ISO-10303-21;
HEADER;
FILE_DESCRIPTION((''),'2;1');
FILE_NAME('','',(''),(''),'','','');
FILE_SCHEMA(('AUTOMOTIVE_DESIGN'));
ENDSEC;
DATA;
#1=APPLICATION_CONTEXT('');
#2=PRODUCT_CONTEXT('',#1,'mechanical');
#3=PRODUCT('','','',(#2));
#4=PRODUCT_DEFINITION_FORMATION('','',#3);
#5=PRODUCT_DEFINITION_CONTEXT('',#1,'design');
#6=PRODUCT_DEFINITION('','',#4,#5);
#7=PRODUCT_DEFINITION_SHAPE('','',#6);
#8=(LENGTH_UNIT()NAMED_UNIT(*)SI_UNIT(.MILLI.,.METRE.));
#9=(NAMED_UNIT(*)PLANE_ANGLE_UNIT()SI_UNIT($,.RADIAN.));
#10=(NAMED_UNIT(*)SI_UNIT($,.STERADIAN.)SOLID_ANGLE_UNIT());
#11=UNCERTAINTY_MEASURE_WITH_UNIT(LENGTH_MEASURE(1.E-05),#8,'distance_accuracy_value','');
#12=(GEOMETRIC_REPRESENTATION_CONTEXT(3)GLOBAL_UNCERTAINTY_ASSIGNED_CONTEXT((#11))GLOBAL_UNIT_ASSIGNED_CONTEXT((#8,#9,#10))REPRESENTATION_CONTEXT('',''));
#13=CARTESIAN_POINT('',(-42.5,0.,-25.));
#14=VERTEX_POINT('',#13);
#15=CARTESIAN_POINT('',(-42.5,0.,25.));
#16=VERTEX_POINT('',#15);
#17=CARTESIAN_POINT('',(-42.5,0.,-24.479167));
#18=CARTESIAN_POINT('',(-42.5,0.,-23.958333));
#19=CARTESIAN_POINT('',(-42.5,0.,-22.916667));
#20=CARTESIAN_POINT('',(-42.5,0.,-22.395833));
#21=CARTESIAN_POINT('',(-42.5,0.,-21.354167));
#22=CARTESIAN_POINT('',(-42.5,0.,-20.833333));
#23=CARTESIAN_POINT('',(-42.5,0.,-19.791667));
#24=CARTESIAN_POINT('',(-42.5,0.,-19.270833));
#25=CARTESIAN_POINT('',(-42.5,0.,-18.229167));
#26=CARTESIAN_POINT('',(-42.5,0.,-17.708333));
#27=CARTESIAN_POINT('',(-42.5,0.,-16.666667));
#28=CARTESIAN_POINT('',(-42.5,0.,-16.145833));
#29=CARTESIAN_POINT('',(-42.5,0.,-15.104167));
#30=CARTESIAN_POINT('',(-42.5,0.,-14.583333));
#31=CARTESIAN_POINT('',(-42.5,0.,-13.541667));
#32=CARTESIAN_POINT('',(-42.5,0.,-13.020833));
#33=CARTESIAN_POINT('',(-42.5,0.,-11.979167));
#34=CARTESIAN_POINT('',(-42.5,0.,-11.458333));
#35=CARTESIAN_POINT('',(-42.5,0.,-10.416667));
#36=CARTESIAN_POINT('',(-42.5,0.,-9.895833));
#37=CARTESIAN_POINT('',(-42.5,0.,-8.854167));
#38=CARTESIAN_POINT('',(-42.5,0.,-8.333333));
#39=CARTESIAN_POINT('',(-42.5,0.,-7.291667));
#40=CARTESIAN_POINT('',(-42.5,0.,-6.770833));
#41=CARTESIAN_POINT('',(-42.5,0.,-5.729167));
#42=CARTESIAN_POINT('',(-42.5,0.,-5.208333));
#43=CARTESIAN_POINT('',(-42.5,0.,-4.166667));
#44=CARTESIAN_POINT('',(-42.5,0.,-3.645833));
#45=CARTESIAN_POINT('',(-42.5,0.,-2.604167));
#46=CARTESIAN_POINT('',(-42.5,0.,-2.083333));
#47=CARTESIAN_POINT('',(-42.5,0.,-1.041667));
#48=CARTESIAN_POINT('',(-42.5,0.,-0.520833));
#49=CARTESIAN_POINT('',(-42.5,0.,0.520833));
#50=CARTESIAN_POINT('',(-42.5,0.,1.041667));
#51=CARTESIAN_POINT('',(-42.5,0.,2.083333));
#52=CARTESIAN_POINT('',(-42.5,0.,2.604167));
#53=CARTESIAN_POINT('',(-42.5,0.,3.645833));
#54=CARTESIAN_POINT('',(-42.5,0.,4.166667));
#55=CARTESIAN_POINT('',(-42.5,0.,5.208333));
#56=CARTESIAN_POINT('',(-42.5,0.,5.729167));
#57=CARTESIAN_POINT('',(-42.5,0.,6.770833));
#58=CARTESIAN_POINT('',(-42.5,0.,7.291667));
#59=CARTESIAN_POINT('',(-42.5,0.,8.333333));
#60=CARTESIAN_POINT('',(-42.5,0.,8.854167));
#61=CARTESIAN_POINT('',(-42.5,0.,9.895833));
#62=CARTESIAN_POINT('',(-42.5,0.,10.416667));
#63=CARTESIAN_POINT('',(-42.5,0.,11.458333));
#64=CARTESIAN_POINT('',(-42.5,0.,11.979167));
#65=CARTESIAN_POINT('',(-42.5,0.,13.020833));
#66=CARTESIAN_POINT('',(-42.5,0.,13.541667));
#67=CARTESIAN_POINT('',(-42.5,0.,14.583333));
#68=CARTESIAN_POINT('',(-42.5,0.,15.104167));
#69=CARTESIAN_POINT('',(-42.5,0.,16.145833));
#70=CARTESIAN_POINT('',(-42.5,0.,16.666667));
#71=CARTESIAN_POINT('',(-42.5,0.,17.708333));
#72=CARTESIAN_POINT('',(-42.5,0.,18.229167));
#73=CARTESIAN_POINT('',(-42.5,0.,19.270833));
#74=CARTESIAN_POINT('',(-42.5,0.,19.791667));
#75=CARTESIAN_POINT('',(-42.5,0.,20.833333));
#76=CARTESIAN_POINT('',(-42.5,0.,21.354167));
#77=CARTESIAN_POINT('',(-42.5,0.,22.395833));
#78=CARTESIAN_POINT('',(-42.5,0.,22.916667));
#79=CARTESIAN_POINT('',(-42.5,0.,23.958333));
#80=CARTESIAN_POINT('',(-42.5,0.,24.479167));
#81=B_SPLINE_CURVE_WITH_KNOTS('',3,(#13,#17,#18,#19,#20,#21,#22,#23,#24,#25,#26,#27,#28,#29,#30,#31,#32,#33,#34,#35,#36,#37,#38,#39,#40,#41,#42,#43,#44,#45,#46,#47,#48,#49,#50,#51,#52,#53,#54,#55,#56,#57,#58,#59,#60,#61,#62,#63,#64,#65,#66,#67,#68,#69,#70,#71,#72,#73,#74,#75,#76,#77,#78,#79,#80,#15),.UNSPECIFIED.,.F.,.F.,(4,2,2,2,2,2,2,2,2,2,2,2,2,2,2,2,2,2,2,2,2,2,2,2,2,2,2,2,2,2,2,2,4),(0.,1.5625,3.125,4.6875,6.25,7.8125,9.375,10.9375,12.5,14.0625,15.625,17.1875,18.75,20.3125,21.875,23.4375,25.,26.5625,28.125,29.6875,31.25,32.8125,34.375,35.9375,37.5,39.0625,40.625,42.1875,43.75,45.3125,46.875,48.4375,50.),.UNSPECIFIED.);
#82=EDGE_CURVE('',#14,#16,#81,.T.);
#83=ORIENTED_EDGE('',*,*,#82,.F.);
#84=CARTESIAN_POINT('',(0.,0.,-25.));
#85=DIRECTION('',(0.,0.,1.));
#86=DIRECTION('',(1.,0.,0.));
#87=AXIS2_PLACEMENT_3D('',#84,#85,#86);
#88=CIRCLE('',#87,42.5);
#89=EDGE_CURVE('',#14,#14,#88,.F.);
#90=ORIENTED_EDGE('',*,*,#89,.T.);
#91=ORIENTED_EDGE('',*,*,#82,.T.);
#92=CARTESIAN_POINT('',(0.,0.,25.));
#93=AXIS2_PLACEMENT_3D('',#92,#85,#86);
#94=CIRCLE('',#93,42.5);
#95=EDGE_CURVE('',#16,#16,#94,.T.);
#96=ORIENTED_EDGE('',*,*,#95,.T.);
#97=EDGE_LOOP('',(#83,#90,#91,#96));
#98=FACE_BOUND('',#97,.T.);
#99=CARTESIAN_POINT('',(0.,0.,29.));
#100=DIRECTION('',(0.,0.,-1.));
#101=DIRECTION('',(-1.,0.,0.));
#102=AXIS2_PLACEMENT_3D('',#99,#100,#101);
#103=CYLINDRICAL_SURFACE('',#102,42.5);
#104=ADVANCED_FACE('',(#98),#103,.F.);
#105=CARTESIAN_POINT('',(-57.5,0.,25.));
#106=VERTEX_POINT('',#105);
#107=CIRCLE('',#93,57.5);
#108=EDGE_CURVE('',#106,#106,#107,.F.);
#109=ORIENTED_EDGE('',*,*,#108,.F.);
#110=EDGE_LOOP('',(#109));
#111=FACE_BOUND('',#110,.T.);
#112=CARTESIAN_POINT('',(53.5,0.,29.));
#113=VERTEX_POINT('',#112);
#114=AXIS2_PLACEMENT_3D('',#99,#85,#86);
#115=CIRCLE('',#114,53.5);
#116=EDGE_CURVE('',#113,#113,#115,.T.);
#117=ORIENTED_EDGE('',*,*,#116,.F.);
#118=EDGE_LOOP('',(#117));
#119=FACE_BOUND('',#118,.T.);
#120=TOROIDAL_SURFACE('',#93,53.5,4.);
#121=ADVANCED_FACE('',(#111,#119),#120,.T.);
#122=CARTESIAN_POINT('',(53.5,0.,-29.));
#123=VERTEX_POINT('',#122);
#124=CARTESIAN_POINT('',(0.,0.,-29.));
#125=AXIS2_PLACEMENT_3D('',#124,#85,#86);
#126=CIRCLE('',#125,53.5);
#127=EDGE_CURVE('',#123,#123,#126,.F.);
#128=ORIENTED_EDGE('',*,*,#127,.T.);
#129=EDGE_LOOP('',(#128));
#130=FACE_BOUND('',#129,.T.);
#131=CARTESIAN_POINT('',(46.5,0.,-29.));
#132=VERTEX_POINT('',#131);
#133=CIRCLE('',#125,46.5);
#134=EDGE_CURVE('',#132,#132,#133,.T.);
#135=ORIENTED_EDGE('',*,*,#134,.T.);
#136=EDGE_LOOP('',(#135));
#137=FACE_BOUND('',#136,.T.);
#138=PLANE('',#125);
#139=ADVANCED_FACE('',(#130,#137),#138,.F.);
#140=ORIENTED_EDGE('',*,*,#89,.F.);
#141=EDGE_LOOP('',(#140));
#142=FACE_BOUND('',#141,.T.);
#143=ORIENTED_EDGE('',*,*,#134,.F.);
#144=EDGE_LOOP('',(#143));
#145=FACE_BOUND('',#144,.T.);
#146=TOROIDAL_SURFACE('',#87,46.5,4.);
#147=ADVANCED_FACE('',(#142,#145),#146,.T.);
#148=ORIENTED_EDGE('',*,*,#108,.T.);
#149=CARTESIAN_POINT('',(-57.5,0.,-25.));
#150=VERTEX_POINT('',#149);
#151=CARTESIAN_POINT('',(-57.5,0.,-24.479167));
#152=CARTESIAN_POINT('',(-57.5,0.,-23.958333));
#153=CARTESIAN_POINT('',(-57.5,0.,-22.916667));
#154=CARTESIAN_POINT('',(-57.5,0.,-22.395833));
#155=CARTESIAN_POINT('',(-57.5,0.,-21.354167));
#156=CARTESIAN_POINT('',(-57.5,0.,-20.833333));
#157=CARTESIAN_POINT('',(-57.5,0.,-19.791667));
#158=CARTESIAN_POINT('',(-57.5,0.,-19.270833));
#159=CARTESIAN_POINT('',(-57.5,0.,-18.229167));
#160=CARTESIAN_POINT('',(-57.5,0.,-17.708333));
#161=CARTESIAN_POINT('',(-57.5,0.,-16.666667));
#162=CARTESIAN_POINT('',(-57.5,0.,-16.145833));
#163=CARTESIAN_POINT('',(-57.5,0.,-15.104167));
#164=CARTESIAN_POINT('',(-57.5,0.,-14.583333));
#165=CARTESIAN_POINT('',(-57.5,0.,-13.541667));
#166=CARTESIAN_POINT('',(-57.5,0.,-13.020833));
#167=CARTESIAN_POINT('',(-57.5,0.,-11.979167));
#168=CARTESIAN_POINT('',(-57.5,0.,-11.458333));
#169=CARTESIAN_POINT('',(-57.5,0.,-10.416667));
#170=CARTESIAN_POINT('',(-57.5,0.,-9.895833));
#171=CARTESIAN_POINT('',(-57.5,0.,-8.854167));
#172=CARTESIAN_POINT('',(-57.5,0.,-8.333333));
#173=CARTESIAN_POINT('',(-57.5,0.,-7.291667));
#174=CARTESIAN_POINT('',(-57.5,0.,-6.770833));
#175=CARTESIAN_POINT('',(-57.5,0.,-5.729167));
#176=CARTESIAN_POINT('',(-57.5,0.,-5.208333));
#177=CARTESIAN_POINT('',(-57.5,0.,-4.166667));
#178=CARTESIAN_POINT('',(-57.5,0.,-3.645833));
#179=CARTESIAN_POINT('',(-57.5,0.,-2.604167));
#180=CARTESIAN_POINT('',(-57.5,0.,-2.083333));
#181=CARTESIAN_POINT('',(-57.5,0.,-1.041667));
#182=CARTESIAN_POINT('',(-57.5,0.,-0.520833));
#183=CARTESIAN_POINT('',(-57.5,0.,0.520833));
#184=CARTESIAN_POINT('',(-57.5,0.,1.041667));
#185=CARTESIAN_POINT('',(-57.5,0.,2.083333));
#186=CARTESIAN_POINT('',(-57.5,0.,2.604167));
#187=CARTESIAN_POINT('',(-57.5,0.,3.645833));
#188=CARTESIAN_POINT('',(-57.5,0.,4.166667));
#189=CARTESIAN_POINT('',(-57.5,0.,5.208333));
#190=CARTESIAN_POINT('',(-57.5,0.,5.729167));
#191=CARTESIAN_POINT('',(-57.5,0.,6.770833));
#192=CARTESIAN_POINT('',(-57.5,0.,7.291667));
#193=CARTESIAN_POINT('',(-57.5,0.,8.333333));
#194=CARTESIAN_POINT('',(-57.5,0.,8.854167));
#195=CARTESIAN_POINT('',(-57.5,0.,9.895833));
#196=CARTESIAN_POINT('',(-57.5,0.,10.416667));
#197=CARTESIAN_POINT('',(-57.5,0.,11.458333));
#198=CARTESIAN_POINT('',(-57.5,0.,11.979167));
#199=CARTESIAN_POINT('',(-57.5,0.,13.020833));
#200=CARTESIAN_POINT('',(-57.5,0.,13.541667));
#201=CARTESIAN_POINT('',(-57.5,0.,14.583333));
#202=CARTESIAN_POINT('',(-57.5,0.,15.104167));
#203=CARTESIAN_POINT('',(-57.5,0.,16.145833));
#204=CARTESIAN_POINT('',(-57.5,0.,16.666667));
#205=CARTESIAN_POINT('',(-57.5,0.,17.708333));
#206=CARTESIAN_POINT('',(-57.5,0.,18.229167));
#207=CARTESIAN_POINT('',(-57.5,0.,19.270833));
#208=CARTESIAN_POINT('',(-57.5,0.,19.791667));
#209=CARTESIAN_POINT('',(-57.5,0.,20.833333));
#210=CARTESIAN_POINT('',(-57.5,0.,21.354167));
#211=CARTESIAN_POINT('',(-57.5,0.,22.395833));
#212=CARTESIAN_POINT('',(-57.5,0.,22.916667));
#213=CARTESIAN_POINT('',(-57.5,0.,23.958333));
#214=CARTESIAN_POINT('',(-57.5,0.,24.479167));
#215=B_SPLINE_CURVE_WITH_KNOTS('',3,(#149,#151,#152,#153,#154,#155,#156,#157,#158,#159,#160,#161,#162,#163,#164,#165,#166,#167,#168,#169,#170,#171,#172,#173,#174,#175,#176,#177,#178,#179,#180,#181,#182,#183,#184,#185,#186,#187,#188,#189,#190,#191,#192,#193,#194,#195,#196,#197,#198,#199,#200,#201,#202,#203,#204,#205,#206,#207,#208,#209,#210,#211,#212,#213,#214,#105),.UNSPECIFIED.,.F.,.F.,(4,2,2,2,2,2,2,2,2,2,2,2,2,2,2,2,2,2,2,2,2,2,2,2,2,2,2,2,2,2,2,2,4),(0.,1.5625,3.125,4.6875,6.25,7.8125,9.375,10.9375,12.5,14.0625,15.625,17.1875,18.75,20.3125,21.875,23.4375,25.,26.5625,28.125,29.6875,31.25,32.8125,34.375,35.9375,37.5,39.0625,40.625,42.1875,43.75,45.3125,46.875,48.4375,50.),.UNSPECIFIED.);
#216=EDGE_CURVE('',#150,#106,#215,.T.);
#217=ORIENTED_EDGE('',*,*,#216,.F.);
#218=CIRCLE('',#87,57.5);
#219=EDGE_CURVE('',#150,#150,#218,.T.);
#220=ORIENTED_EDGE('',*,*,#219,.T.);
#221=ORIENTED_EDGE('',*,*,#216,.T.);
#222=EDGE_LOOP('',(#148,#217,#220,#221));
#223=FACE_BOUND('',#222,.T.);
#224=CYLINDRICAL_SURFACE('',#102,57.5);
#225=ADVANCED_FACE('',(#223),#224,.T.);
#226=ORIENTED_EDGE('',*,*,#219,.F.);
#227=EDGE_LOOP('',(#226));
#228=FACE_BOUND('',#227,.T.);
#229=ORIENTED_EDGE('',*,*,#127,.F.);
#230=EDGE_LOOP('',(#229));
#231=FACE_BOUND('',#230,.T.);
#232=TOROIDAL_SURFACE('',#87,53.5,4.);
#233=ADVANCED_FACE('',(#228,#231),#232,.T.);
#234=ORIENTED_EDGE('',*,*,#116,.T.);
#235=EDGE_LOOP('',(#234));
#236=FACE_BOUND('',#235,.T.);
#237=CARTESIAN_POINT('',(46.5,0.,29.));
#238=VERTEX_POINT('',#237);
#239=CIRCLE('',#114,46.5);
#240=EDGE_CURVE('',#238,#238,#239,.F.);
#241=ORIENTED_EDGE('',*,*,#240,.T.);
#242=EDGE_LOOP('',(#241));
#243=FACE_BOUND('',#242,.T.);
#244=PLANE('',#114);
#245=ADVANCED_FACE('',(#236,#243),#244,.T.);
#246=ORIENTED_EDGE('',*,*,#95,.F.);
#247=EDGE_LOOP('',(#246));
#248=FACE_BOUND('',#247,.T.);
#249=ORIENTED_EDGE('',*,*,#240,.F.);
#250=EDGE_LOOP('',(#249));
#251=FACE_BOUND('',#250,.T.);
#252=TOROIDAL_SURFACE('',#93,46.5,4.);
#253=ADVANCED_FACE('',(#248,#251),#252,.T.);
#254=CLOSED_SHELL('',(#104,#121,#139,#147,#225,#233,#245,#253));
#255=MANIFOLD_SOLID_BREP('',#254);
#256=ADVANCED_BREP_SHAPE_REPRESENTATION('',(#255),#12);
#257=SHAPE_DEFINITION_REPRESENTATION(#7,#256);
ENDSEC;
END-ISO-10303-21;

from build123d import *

# Parameters (mm, degrees)
SKETCH_1_R        = 57.5
SKETCH_1_R_2      = 42.5
EXTRUDE_317_DEPTH = 29
FILLET_1_R        = 4


with BuildPart() as part:
    # Эскиз1 → Extrude 317 (new, symmetric)
    with BuildSketch(Plane.XY):
        with Locations(Location((0, 0, 0), (0, 0, 180))):
            Circle(SKETCH_1_R)
        with Locations(Location((0, 0, 0), (0, 0, 180))):
            Circle(SKETCH_1_R_2, mode=Mode.SUBTRACT)
    extrude(amount=EXTRUDE_317_DEPTH, both=True)

    # Скругление1
    fillet_1_edges = [part.edges().sort_by_distance(p)[0] for p in [
        (57.5, 0, -29),
        (57.5, 0, 29),
        (42.5, 0, -29),
        (42.5, 0, 29),
    ]]
    fillet(fillet_1_edges, radius=FILLET_1_R)


solid = part.part
